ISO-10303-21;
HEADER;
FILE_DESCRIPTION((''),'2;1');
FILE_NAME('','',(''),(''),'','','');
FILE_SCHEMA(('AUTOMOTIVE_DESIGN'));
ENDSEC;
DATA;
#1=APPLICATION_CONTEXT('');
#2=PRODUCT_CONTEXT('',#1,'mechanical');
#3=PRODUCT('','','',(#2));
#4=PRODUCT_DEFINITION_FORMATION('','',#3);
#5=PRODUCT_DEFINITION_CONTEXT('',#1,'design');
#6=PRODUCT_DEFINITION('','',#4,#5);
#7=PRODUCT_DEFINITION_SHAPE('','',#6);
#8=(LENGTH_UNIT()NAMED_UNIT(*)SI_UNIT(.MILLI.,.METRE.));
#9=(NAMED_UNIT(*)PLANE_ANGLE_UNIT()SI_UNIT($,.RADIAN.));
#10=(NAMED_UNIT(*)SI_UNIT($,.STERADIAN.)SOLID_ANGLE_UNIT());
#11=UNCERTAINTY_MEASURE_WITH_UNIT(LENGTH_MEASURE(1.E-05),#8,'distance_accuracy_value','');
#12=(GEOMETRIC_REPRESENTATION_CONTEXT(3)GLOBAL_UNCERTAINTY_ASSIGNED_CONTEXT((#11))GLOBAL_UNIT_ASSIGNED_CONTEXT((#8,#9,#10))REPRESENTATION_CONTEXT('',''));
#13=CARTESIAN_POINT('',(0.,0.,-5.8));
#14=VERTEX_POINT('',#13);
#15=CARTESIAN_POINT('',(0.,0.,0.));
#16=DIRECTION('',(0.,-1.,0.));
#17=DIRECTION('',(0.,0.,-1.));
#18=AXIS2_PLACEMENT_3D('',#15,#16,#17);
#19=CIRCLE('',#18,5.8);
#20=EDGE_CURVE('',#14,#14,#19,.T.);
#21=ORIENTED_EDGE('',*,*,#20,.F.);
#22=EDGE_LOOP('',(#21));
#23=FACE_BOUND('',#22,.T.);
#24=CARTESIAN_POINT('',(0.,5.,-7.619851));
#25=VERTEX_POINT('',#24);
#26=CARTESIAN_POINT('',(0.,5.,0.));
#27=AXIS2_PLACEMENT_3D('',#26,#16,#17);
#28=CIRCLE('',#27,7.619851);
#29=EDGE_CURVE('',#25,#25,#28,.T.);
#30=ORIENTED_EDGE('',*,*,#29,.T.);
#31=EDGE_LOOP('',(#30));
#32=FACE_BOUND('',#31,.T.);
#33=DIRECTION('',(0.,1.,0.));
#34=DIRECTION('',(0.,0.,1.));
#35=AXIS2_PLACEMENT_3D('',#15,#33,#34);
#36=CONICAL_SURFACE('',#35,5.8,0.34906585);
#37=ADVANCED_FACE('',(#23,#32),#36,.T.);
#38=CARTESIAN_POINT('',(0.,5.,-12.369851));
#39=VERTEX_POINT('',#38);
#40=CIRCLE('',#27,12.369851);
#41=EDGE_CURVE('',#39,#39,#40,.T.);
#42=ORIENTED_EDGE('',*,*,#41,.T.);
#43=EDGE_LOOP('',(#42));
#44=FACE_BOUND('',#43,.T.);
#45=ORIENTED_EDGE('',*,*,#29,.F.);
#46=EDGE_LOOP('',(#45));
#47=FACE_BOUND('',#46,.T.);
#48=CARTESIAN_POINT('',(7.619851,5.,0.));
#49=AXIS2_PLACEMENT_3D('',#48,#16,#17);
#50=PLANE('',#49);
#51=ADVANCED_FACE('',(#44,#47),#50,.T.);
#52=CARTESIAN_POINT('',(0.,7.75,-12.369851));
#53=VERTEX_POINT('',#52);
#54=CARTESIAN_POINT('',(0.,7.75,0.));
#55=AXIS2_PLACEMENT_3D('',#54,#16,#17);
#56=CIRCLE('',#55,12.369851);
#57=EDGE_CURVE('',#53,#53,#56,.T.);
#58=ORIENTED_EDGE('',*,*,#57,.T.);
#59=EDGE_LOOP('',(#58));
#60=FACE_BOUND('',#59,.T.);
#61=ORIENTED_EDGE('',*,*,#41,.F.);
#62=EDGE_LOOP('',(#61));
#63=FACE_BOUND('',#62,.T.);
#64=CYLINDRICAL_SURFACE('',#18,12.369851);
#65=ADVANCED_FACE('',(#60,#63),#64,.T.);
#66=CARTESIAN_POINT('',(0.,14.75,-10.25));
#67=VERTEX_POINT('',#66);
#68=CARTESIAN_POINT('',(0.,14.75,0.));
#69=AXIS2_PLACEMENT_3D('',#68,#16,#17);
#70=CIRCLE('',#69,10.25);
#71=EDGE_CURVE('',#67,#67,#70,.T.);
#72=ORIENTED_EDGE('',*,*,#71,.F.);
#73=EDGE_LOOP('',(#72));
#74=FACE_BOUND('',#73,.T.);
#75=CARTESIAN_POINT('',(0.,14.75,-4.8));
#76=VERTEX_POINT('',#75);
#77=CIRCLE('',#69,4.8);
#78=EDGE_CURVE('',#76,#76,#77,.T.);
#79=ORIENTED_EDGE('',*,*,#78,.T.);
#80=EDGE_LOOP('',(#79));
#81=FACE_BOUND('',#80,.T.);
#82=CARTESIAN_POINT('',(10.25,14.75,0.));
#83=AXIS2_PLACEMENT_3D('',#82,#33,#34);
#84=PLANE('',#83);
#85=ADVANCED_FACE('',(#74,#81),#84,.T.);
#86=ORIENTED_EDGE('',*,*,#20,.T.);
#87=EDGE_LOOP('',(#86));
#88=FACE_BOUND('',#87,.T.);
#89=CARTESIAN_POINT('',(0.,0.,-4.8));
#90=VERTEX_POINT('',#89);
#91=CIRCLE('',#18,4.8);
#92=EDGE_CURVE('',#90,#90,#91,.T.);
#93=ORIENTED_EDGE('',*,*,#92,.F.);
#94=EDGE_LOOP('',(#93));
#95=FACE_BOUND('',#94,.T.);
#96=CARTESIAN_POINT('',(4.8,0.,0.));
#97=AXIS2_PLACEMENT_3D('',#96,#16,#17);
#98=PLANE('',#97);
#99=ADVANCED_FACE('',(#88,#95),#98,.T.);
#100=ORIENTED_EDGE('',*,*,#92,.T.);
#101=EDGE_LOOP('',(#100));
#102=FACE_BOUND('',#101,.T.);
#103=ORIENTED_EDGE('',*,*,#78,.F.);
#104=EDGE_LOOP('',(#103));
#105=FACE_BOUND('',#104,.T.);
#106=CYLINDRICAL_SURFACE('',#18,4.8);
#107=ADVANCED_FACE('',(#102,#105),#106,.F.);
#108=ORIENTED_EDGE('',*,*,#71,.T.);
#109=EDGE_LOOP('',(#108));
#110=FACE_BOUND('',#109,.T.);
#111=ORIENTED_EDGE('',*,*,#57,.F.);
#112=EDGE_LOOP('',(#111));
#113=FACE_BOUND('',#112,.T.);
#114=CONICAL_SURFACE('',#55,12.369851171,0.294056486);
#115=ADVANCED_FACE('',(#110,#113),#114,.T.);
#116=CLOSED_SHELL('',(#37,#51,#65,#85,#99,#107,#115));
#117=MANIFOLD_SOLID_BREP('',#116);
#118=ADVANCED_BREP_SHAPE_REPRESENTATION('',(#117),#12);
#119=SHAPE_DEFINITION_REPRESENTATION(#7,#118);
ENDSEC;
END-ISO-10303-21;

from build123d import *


with BuildPart() as part:
    # Sketch1 → Revolve1 (revolve)
    with BuildSketch(Plane.XY):
        Polygon((4.8, 0), (5.8, 0), (7.619851171, 5), (12.369851171, 5), (12.369851171, 7.75), (10.25, 14.75), (4.8, 14.75), align=None)
    revolve(axis=Axis((0, 0, 0), (0, 1, 0)))


solid = part.part
